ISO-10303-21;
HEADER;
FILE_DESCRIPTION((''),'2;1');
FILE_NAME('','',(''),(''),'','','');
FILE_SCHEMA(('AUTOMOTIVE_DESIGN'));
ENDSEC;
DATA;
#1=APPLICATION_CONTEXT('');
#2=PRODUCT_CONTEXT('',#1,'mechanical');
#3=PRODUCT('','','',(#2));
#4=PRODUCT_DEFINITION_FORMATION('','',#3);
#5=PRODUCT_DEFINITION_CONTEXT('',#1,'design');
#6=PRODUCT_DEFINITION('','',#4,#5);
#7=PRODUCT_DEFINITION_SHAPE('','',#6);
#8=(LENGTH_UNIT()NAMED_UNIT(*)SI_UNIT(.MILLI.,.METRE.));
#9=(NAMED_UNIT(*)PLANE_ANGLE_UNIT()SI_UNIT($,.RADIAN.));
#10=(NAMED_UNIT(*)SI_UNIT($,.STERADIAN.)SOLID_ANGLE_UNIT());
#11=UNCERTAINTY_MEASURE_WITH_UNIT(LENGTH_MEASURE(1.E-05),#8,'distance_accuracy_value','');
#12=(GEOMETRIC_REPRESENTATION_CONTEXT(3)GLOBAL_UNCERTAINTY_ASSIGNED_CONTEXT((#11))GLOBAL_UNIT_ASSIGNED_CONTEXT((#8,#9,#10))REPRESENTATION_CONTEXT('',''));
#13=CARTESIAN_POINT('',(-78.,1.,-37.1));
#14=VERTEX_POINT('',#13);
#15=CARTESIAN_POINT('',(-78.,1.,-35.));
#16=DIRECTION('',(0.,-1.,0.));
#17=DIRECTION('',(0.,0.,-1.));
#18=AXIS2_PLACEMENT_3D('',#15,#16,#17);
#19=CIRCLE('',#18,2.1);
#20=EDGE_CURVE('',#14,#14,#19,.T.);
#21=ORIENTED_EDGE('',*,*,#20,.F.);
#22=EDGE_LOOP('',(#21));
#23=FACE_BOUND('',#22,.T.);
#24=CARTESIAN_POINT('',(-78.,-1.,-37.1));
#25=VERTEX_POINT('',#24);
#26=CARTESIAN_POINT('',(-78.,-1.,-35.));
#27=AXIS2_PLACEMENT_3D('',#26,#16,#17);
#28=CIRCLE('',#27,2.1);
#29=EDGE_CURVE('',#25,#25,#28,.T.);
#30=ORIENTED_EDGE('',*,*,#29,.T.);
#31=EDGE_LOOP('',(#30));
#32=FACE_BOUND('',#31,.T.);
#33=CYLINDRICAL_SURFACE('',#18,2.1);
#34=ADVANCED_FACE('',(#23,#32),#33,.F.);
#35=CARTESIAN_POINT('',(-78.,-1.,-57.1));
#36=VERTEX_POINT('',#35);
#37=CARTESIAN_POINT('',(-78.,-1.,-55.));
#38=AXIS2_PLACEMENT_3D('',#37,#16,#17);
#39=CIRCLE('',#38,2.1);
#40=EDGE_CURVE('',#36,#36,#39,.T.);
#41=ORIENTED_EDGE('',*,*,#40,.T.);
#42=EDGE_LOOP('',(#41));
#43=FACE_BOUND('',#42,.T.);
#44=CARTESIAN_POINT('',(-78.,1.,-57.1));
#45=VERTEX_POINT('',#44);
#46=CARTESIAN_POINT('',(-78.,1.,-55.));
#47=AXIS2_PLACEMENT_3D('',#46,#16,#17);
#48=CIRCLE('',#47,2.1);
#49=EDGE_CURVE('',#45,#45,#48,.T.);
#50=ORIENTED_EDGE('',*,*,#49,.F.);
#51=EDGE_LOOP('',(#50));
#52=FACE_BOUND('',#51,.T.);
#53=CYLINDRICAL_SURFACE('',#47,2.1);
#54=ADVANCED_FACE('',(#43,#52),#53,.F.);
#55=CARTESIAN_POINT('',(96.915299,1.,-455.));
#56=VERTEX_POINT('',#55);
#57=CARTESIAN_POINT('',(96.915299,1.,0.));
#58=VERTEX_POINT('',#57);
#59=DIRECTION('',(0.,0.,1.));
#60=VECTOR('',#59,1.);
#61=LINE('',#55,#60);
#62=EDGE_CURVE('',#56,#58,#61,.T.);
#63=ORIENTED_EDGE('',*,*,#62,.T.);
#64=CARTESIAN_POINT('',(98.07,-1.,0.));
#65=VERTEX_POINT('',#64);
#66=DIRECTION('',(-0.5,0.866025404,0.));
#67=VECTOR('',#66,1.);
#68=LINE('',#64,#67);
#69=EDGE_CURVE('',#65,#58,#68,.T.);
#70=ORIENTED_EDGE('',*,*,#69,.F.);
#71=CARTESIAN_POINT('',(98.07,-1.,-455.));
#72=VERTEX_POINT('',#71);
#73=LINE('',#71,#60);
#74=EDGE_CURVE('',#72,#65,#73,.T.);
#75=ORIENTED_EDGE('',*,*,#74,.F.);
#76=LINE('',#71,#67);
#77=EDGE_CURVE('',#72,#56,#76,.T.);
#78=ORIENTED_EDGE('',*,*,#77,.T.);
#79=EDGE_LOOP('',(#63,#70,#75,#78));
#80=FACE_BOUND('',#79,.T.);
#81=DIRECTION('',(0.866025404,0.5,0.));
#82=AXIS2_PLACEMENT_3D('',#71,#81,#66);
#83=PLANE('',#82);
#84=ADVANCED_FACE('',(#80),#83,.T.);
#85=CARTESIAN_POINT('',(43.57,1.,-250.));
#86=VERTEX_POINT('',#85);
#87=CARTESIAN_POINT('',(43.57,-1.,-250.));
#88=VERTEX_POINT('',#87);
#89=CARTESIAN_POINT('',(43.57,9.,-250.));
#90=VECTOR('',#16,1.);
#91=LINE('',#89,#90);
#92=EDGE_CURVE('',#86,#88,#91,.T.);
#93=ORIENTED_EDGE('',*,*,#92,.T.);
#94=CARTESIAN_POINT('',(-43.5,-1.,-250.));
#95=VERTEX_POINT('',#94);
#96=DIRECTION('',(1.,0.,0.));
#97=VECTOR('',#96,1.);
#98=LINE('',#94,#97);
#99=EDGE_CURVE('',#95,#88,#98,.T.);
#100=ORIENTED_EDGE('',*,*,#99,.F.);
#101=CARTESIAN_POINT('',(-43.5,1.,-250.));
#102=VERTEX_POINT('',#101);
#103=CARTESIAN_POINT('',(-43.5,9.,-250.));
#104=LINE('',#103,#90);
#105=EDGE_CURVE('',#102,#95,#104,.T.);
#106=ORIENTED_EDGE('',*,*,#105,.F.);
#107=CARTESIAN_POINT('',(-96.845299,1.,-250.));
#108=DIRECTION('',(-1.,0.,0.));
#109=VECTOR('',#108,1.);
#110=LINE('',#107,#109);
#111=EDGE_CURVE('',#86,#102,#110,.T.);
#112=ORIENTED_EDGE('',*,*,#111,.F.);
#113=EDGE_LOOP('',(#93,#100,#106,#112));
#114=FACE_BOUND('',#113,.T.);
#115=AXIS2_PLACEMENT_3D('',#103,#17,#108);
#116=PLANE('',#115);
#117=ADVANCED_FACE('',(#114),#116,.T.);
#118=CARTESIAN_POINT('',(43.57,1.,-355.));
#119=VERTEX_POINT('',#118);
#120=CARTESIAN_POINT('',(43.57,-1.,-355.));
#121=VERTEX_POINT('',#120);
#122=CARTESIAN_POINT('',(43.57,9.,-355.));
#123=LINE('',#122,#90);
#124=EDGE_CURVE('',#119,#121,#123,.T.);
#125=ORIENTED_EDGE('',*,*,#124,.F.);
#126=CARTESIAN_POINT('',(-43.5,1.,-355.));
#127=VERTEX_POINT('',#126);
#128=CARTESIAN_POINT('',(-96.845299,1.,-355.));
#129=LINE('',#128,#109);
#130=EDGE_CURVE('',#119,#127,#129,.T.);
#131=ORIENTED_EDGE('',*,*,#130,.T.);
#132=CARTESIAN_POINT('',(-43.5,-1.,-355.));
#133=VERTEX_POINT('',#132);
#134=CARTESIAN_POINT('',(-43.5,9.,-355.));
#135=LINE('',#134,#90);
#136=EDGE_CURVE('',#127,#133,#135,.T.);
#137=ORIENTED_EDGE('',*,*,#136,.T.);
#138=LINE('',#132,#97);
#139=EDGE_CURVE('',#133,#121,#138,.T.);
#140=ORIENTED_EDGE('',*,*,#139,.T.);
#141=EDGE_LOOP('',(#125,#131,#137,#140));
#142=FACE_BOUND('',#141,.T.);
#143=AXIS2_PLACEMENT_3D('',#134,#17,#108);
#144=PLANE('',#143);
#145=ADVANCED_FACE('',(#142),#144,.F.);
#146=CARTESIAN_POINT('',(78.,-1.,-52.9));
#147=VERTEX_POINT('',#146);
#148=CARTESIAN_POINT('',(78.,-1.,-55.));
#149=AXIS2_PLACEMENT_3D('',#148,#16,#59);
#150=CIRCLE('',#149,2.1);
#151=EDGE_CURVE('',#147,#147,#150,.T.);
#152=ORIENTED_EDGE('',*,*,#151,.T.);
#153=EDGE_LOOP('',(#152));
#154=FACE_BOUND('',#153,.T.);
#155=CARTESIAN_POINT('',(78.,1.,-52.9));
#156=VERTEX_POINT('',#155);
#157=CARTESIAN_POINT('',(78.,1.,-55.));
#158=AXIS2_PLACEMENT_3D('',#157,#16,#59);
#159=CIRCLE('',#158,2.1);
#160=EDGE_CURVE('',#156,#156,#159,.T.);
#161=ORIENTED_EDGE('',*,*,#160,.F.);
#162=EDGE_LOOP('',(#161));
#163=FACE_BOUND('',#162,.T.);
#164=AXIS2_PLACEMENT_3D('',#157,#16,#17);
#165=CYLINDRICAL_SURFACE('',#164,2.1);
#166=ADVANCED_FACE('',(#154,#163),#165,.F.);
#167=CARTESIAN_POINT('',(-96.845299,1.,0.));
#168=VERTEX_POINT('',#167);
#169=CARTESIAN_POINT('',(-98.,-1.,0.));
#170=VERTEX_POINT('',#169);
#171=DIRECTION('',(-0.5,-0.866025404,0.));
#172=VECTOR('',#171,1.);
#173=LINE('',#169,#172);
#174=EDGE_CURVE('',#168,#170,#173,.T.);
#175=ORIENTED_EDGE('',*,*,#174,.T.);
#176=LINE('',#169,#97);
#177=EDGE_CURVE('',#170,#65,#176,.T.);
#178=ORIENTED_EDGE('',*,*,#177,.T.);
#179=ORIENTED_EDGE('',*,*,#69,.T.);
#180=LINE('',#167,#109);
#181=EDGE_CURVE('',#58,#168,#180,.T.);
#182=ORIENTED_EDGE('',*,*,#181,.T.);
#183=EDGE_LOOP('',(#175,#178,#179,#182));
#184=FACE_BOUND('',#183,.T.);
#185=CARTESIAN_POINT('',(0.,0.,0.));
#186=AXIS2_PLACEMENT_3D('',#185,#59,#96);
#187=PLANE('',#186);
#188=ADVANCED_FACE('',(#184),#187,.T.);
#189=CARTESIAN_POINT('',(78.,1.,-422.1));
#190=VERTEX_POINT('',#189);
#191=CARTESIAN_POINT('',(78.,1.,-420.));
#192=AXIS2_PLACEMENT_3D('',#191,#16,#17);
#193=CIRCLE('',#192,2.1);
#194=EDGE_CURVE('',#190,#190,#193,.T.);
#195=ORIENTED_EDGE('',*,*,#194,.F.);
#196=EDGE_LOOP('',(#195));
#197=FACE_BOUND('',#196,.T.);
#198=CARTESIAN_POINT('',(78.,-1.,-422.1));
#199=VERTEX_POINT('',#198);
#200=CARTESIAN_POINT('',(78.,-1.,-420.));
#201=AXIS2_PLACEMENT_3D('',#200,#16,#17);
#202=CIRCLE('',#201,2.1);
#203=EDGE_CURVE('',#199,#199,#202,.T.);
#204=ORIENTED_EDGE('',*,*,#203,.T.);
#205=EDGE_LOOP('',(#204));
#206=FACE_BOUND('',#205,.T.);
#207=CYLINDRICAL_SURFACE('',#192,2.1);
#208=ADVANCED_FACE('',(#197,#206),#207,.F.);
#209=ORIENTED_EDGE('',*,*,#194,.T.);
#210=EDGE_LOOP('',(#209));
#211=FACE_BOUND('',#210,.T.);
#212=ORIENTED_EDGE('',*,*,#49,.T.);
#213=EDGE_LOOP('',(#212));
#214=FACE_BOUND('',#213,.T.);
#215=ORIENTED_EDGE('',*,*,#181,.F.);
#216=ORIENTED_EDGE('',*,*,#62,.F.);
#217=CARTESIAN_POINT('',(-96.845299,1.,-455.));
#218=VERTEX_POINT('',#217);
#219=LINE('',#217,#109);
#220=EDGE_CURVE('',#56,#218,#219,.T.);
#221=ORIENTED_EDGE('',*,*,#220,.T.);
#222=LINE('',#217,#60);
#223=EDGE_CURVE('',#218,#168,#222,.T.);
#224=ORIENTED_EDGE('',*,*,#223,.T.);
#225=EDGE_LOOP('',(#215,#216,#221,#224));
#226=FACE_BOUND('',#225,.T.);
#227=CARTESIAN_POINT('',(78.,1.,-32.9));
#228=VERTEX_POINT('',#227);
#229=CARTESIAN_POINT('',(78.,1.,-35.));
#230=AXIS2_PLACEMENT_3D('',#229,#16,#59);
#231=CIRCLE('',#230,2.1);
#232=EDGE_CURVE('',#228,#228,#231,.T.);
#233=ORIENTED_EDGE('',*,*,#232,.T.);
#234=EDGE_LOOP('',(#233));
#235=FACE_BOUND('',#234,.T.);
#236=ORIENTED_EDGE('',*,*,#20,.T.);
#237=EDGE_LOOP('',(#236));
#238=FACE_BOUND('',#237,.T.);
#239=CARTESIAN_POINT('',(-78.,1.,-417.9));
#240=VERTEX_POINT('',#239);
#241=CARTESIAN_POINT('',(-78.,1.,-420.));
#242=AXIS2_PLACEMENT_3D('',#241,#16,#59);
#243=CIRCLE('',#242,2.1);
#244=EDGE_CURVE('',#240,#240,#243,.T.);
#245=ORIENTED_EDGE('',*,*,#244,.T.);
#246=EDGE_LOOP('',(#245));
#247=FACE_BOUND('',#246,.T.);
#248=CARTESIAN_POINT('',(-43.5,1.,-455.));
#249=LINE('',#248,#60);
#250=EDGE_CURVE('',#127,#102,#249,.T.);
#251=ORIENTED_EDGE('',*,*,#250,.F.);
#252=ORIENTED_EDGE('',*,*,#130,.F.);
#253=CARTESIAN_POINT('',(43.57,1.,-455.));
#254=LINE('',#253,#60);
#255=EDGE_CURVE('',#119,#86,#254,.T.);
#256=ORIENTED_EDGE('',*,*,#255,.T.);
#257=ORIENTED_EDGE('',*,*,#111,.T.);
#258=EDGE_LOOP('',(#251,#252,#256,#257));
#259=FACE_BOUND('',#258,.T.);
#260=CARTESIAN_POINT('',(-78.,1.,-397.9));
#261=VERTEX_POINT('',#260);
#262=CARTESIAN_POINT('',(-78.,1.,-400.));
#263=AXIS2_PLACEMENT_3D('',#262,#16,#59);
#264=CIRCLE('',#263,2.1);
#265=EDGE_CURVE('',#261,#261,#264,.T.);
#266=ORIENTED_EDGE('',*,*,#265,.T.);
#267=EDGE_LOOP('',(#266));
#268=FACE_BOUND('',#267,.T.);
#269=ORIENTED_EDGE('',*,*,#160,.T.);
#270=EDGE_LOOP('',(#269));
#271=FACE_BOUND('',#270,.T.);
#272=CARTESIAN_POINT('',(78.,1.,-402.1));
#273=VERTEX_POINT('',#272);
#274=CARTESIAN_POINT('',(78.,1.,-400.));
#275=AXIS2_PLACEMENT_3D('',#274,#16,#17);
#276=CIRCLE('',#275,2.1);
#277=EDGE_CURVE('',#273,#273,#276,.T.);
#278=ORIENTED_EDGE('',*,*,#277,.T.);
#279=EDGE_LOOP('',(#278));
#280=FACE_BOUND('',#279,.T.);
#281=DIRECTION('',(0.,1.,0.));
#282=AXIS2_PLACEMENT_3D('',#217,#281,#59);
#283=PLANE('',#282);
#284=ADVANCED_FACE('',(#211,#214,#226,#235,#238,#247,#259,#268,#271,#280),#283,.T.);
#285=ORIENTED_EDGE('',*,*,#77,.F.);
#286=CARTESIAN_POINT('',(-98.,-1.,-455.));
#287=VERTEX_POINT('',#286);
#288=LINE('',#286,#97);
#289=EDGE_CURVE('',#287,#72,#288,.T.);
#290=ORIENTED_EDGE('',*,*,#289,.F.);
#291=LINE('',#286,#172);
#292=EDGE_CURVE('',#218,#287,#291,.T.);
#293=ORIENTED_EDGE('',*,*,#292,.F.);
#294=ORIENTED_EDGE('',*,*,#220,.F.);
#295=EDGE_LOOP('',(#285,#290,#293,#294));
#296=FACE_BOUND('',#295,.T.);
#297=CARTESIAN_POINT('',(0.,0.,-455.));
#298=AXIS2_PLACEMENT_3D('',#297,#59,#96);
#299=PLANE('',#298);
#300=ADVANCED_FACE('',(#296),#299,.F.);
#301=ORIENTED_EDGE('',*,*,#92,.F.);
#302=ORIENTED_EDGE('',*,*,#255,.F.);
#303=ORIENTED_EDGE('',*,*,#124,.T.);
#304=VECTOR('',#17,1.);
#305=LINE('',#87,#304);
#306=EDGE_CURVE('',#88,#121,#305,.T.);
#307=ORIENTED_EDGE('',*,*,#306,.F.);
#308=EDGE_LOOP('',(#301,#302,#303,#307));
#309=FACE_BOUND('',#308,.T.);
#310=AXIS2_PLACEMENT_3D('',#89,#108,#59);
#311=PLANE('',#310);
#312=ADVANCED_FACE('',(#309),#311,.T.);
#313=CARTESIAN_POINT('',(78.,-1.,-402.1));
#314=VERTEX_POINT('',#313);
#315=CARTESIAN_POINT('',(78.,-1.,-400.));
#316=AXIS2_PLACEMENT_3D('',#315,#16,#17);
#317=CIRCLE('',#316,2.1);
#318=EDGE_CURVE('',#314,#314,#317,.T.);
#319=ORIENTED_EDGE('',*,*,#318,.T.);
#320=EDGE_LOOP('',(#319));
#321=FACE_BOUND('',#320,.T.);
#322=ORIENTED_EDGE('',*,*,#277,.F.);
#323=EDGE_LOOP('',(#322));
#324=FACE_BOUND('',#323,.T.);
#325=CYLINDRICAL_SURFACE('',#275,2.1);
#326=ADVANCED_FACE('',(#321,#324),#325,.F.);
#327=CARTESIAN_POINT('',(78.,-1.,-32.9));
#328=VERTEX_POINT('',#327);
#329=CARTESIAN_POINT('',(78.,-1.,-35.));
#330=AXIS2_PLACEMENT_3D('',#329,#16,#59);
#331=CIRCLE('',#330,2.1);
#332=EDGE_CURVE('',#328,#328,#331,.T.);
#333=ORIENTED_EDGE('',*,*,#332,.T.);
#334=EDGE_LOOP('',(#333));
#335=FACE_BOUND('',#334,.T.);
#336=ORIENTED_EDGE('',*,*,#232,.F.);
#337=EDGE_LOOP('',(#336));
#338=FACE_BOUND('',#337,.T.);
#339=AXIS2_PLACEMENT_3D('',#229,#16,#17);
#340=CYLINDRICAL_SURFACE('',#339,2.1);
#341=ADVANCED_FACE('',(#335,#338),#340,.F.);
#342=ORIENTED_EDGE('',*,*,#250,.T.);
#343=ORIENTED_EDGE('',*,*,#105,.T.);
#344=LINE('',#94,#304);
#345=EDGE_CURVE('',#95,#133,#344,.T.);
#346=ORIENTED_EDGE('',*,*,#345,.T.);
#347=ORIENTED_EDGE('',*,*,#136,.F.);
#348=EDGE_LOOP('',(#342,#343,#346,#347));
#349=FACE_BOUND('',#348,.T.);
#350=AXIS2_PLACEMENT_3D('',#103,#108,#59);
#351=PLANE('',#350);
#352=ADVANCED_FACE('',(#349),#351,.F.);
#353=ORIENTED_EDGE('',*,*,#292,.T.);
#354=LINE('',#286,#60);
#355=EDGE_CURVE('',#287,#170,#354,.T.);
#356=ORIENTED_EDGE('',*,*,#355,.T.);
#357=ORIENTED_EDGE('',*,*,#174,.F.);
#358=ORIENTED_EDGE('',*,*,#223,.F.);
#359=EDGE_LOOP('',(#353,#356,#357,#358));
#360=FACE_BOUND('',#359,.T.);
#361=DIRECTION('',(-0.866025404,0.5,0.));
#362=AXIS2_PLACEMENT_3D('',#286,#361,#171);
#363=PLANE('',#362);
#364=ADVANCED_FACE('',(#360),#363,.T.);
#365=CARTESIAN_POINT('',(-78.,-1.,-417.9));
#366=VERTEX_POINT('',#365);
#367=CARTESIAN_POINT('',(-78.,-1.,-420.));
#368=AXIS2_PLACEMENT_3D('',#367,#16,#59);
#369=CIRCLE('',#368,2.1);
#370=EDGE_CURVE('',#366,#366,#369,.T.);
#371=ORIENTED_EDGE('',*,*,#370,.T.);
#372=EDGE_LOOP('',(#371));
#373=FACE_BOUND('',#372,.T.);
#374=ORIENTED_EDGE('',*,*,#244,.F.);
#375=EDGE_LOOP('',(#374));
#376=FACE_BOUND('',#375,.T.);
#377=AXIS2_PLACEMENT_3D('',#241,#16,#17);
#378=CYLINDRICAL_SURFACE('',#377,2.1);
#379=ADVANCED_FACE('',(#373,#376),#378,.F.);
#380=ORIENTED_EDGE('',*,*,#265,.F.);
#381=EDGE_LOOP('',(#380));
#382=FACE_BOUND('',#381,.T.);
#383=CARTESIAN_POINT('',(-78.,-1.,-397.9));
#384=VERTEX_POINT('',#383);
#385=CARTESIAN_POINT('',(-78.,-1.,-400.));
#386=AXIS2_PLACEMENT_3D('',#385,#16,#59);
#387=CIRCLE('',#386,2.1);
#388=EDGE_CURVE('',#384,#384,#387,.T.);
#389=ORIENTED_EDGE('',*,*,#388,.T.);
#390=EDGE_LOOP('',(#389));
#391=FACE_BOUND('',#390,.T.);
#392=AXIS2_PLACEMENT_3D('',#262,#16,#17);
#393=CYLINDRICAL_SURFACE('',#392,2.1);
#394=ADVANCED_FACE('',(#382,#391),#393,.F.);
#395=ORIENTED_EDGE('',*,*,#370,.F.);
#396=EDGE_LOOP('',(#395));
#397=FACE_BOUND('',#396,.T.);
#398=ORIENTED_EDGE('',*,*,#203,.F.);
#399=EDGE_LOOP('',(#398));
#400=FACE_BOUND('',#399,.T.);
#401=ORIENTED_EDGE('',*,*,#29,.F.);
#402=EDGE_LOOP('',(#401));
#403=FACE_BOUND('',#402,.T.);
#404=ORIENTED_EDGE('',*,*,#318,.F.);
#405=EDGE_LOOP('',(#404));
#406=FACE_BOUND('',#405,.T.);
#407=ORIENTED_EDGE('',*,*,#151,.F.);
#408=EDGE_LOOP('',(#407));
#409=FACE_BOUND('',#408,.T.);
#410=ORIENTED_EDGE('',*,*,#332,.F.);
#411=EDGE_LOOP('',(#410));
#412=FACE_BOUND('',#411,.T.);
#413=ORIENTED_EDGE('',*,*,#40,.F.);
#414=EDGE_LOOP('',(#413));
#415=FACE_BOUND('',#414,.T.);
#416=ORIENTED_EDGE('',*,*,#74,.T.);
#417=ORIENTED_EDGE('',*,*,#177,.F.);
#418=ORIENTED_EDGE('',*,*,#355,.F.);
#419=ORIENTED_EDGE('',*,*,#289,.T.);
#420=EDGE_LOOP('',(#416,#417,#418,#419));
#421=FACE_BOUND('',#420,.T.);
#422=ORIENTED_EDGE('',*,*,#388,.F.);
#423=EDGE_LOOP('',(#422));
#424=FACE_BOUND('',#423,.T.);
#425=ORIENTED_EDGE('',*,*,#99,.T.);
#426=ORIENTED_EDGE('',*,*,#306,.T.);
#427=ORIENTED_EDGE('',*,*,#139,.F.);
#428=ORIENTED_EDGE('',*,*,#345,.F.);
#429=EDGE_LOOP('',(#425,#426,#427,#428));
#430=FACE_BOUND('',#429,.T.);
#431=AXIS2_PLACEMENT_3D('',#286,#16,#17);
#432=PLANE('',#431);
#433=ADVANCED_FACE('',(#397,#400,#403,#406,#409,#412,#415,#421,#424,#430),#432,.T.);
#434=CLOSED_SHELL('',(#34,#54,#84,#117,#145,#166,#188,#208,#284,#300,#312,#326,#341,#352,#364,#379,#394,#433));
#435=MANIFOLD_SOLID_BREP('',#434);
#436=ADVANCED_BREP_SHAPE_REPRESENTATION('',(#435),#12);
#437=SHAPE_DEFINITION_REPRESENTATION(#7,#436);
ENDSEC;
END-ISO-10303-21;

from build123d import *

# Parameters (mm, degrees)
EXTRUDE_1_DEPTH     = 455
SKETCH_3_R          = 2.1
CUT_EXTRUDE_1_DEPTH = 466.453246739
SKETCH_7_W          = 87.07
SKETCH_7_H          = 105
CUT_EXTRUDE_2_DEPTH = 10


with BuildPart() as part:
    # 草图2 → 凸台-拉伸1 (new body)
    with BuildSketch(Plane.XY):
        Polygon((-98, -1), (-96.845299462, 1), (96.915299462, 1), (98.07, -1), align=None)
    extrude(amount=-EXTRUDE_1_DEPTH)

    # 草图3 → 切除-拉伸1 (cut, through all)
    with BuildSketch(Plane(origin=(0, -1, 0), x_dir=(-1, 0, 0), z_dir=(0, -1, 0))):
        with Locations(Location((78, 35, 0), (0, 0, 90))):
            Circle(SKETCH_3_R)
        with Locations(Location((78, 55, 0), (0, 0, 90))):
            Circle(SKETCH_3_R)
        with Locations(Location((-78, 55, 0), (0, 0, 270))):
            Circle(SKETCH_3_R)
        with Locations(Location((-78, 35, 0), (0, 0, 270))):
            Circle(SKETCH_3_R)
        with Locations(Location((-78, 420, 0), (0, 0, 90))):
            Circle(SKETCH_3_R)
        with Locations(Location((-78, 400, 0), (0, 0, 90))):
            Circle(SKETCH_3_R)
        with Locations(Location((78, 400, 0), (0, 0, 270))):
            Circle(SKETCH_3_R)
        with Locations(Location((78, 420, 0), (0, 0, 270))):
            Circle(SKETCH_3_R)
    extrude(amount=-CUT_EXTRUDE_1_DEPTH, mode=Mode.SUBTRACT)

    # 草图7 → 切除-拉伸2 (cut)
    with BuildSketch(Plane.XZ.offset(1)):
        with Locations((0.035, -302.5)):
            Rectangle(SKETCH_7_W, SKETCH_7_H)
    extrude(amount=-CUT_EXTRUDE_2_DEPTH, mode=Mode.SUBTRACT)


solid = part.part
